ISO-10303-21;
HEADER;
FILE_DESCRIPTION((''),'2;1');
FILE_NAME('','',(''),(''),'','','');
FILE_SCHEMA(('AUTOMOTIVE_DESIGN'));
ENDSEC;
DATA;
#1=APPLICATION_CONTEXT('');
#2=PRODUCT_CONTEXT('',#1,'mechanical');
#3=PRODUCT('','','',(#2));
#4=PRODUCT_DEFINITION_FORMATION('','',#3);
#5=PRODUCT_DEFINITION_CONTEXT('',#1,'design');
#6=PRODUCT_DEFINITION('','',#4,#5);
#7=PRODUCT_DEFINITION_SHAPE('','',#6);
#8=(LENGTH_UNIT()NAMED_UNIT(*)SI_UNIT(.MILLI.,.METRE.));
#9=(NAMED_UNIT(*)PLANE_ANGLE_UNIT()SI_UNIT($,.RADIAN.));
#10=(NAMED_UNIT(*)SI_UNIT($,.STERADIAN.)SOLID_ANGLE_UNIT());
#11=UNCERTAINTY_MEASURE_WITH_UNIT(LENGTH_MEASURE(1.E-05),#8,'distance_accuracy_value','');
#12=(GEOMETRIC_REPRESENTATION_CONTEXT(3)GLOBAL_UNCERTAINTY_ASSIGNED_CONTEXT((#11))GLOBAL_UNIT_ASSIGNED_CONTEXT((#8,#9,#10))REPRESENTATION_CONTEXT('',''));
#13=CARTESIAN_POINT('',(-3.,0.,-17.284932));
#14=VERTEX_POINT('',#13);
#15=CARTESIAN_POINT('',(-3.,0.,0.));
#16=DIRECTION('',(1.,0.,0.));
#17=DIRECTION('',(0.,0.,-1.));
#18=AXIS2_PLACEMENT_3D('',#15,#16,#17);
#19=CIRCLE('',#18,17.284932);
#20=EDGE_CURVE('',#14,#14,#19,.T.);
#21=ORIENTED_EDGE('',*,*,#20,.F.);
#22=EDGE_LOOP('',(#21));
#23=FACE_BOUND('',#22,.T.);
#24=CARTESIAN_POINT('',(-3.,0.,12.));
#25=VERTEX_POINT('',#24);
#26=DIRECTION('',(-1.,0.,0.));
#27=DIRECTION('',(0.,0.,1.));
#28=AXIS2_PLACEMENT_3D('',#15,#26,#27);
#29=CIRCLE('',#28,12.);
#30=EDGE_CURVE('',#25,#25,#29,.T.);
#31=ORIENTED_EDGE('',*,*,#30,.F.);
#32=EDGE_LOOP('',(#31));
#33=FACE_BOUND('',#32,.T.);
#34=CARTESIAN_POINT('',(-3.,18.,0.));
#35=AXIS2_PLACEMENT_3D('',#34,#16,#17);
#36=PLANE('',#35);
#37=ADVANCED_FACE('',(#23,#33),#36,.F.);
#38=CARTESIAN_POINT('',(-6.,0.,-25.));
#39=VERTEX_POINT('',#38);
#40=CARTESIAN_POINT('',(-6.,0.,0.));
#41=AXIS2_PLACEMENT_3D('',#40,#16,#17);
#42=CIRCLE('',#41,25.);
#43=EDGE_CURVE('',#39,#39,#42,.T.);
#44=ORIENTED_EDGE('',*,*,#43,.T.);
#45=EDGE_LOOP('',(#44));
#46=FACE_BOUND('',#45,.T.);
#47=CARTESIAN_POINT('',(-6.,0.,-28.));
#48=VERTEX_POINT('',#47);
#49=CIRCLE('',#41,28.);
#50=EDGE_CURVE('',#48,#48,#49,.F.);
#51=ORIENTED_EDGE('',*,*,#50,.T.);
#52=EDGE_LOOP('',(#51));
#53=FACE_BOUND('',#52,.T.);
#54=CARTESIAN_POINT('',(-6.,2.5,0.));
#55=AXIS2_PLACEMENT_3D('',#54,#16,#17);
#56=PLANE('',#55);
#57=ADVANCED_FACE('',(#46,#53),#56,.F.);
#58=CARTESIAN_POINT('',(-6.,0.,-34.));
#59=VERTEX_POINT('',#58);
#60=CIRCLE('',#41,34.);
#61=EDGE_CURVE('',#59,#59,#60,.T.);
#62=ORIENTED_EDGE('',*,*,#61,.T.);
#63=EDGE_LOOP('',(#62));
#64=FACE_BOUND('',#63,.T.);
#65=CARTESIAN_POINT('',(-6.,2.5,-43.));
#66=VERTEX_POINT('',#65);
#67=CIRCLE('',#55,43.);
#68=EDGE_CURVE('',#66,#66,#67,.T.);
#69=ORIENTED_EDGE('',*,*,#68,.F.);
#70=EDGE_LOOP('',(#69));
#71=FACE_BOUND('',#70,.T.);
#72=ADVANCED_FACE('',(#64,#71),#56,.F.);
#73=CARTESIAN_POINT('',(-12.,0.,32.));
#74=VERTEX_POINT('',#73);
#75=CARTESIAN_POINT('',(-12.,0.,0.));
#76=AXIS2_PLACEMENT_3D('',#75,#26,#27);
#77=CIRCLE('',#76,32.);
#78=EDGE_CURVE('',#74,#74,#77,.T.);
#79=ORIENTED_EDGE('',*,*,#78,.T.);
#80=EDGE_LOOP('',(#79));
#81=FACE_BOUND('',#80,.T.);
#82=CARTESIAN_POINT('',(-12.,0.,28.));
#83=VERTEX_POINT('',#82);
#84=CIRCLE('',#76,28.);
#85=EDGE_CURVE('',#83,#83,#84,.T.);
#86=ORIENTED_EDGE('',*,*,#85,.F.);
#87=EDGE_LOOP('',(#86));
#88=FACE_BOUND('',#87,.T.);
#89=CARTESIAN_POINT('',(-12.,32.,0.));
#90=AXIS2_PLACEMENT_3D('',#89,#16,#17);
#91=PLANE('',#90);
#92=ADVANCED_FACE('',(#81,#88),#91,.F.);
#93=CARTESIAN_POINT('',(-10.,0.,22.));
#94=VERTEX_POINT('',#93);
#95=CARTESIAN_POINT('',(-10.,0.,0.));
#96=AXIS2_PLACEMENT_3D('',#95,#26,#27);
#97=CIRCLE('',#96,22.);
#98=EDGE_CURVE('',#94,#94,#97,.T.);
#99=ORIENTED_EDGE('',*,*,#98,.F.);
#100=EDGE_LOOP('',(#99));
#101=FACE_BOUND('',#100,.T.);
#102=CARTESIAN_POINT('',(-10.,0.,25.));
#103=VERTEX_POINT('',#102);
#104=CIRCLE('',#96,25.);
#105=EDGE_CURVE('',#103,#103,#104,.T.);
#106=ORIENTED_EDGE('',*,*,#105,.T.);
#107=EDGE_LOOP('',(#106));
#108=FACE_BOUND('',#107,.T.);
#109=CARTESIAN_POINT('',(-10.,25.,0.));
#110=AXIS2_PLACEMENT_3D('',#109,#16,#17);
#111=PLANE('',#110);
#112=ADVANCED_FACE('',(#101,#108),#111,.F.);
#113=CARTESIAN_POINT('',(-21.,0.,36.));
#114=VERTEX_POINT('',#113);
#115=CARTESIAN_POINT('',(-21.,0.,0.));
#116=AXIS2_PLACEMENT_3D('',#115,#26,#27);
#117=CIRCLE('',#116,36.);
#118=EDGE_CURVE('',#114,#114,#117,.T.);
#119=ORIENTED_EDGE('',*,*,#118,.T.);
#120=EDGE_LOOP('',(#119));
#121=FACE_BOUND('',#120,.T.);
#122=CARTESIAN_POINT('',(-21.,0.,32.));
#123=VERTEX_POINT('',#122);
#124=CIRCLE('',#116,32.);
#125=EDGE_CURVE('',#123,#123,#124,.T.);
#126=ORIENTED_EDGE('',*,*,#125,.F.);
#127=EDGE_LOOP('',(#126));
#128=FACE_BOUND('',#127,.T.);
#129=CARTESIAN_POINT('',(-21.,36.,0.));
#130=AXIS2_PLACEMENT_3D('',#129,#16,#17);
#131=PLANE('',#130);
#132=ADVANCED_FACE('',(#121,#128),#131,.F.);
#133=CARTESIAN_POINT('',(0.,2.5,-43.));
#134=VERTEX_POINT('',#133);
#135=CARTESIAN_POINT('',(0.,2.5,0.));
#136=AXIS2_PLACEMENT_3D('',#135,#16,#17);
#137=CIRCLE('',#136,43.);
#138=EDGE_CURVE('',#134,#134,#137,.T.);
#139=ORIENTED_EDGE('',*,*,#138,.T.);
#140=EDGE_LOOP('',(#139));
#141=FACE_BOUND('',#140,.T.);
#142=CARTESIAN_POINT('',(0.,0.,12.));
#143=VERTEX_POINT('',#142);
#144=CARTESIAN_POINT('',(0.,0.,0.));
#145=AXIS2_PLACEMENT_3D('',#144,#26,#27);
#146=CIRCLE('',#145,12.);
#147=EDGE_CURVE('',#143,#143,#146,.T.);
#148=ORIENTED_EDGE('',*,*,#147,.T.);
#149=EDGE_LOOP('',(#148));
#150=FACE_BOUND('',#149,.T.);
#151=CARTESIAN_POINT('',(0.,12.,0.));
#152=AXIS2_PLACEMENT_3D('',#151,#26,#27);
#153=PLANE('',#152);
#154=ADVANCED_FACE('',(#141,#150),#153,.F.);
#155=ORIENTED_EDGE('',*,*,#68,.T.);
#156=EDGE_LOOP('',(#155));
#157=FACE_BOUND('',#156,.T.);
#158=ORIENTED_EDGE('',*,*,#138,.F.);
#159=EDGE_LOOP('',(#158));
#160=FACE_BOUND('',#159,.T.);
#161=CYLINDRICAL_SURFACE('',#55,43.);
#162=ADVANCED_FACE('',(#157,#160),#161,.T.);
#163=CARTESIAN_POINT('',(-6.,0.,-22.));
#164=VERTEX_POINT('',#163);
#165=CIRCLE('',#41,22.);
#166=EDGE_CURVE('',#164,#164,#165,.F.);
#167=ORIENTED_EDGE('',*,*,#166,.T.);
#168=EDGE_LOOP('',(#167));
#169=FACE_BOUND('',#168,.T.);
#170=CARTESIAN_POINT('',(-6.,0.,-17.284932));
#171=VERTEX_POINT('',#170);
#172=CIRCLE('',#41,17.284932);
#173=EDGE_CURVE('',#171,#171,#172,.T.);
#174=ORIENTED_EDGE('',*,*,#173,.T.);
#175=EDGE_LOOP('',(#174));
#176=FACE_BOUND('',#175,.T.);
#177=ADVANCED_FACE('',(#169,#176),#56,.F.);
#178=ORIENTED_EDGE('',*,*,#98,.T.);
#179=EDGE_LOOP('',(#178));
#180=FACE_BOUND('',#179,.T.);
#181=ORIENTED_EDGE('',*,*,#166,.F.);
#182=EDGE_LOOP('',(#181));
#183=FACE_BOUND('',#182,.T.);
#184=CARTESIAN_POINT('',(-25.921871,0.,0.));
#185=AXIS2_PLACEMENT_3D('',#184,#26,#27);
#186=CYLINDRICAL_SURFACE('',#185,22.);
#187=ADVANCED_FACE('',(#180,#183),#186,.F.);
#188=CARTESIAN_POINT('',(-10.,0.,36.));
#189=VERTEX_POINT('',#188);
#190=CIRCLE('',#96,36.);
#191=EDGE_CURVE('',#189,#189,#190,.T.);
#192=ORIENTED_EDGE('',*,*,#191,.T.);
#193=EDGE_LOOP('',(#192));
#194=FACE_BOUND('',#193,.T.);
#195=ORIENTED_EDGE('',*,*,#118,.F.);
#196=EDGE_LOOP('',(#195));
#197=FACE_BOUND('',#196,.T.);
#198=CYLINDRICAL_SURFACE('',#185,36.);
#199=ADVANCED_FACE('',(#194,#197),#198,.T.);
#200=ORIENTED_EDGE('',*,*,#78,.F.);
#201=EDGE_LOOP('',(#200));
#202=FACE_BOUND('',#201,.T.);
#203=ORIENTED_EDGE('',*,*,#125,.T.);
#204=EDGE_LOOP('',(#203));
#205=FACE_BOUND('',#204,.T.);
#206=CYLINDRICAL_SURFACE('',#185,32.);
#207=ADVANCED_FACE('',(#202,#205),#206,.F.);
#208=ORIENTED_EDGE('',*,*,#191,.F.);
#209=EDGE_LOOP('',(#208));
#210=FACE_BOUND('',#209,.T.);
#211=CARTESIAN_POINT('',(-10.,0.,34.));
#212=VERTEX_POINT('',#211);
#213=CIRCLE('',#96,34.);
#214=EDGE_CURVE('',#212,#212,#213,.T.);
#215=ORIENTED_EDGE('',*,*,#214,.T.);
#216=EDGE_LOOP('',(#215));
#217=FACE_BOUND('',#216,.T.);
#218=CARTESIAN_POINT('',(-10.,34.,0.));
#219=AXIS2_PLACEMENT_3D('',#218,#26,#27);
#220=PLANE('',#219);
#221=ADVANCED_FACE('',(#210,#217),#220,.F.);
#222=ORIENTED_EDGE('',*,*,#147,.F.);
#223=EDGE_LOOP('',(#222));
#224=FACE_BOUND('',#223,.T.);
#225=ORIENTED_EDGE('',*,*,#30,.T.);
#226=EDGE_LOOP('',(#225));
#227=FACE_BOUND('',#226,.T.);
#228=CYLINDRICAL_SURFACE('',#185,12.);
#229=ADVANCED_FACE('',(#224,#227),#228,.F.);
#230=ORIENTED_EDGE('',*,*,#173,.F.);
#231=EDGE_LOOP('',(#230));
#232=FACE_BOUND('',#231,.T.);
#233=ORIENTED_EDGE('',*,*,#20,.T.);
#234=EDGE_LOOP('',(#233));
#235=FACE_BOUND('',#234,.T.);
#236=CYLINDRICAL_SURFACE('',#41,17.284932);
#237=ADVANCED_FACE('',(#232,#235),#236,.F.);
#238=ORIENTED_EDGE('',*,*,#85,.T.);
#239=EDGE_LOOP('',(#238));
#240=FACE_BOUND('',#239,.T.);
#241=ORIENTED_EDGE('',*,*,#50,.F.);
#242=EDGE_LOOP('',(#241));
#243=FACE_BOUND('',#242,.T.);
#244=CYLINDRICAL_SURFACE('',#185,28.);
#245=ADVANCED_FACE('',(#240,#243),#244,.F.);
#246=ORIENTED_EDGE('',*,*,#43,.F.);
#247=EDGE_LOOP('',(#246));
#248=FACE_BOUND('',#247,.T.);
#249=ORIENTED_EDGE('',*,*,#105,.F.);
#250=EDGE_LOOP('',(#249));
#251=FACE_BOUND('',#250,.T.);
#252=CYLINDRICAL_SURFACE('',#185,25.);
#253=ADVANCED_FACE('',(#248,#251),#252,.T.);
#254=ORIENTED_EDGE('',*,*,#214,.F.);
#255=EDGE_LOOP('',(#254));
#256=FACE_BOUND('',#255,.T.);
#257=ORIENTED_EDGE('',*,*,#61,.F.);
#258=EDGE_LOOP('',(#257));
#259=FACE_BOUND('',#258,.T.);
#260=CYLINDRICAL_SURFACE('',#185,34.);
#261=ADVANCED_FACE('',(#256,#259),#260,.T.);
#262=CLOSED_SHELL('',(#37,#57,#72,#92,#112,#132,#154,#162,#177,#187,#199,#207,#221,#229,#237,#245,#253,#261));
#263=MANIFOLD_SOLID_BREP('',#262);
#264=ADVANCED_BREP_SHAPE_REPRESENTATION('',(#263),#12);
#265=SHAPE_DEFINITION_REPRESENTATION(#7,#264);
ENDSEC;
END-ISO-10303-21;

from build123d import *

# Parameters (mm, degrees)
ESQUISSE2_R        = 43
ESQUISSE2_R_2      = 17.284931715
BOSS_EXTRU_1_DEPTH = 6


with BuildPart() as part:
    # Esquisse1 → Base-Révolution (revolve)
    with BuildSketch(Plane.XY):
        Polygon((0, 12), (0, 34), (-10, 34), (-10, 36), (-21, 36), (-21, 32), (-12, 32), (-12, 28), (-4, 28), (-4, 25), (-10, 25), (-10, 22), (-4, 22), (-4, 18), (-3, 18), (-3, 12), align=None)
    revolve(axis=Axis((-25.921870853, 0, 0), (1, 0, 0)))

    # Esquisse2 → Boss.-Extru.1 (add)
    with BuildSketch(Plane(origin=(0, 0, 0), x_dir=(0, 0, -1), z_dir=(1, 0, 0))):
        with Locations((0, 2.5)):
            Circle(ESQUISSE2_R)
        Circle(ESQUISSE2_R_2, mode=Mode.SUBTRACT)
    extrude(amount=-BOSS_EXTRU_1_DEPTH)


solid = part.part
